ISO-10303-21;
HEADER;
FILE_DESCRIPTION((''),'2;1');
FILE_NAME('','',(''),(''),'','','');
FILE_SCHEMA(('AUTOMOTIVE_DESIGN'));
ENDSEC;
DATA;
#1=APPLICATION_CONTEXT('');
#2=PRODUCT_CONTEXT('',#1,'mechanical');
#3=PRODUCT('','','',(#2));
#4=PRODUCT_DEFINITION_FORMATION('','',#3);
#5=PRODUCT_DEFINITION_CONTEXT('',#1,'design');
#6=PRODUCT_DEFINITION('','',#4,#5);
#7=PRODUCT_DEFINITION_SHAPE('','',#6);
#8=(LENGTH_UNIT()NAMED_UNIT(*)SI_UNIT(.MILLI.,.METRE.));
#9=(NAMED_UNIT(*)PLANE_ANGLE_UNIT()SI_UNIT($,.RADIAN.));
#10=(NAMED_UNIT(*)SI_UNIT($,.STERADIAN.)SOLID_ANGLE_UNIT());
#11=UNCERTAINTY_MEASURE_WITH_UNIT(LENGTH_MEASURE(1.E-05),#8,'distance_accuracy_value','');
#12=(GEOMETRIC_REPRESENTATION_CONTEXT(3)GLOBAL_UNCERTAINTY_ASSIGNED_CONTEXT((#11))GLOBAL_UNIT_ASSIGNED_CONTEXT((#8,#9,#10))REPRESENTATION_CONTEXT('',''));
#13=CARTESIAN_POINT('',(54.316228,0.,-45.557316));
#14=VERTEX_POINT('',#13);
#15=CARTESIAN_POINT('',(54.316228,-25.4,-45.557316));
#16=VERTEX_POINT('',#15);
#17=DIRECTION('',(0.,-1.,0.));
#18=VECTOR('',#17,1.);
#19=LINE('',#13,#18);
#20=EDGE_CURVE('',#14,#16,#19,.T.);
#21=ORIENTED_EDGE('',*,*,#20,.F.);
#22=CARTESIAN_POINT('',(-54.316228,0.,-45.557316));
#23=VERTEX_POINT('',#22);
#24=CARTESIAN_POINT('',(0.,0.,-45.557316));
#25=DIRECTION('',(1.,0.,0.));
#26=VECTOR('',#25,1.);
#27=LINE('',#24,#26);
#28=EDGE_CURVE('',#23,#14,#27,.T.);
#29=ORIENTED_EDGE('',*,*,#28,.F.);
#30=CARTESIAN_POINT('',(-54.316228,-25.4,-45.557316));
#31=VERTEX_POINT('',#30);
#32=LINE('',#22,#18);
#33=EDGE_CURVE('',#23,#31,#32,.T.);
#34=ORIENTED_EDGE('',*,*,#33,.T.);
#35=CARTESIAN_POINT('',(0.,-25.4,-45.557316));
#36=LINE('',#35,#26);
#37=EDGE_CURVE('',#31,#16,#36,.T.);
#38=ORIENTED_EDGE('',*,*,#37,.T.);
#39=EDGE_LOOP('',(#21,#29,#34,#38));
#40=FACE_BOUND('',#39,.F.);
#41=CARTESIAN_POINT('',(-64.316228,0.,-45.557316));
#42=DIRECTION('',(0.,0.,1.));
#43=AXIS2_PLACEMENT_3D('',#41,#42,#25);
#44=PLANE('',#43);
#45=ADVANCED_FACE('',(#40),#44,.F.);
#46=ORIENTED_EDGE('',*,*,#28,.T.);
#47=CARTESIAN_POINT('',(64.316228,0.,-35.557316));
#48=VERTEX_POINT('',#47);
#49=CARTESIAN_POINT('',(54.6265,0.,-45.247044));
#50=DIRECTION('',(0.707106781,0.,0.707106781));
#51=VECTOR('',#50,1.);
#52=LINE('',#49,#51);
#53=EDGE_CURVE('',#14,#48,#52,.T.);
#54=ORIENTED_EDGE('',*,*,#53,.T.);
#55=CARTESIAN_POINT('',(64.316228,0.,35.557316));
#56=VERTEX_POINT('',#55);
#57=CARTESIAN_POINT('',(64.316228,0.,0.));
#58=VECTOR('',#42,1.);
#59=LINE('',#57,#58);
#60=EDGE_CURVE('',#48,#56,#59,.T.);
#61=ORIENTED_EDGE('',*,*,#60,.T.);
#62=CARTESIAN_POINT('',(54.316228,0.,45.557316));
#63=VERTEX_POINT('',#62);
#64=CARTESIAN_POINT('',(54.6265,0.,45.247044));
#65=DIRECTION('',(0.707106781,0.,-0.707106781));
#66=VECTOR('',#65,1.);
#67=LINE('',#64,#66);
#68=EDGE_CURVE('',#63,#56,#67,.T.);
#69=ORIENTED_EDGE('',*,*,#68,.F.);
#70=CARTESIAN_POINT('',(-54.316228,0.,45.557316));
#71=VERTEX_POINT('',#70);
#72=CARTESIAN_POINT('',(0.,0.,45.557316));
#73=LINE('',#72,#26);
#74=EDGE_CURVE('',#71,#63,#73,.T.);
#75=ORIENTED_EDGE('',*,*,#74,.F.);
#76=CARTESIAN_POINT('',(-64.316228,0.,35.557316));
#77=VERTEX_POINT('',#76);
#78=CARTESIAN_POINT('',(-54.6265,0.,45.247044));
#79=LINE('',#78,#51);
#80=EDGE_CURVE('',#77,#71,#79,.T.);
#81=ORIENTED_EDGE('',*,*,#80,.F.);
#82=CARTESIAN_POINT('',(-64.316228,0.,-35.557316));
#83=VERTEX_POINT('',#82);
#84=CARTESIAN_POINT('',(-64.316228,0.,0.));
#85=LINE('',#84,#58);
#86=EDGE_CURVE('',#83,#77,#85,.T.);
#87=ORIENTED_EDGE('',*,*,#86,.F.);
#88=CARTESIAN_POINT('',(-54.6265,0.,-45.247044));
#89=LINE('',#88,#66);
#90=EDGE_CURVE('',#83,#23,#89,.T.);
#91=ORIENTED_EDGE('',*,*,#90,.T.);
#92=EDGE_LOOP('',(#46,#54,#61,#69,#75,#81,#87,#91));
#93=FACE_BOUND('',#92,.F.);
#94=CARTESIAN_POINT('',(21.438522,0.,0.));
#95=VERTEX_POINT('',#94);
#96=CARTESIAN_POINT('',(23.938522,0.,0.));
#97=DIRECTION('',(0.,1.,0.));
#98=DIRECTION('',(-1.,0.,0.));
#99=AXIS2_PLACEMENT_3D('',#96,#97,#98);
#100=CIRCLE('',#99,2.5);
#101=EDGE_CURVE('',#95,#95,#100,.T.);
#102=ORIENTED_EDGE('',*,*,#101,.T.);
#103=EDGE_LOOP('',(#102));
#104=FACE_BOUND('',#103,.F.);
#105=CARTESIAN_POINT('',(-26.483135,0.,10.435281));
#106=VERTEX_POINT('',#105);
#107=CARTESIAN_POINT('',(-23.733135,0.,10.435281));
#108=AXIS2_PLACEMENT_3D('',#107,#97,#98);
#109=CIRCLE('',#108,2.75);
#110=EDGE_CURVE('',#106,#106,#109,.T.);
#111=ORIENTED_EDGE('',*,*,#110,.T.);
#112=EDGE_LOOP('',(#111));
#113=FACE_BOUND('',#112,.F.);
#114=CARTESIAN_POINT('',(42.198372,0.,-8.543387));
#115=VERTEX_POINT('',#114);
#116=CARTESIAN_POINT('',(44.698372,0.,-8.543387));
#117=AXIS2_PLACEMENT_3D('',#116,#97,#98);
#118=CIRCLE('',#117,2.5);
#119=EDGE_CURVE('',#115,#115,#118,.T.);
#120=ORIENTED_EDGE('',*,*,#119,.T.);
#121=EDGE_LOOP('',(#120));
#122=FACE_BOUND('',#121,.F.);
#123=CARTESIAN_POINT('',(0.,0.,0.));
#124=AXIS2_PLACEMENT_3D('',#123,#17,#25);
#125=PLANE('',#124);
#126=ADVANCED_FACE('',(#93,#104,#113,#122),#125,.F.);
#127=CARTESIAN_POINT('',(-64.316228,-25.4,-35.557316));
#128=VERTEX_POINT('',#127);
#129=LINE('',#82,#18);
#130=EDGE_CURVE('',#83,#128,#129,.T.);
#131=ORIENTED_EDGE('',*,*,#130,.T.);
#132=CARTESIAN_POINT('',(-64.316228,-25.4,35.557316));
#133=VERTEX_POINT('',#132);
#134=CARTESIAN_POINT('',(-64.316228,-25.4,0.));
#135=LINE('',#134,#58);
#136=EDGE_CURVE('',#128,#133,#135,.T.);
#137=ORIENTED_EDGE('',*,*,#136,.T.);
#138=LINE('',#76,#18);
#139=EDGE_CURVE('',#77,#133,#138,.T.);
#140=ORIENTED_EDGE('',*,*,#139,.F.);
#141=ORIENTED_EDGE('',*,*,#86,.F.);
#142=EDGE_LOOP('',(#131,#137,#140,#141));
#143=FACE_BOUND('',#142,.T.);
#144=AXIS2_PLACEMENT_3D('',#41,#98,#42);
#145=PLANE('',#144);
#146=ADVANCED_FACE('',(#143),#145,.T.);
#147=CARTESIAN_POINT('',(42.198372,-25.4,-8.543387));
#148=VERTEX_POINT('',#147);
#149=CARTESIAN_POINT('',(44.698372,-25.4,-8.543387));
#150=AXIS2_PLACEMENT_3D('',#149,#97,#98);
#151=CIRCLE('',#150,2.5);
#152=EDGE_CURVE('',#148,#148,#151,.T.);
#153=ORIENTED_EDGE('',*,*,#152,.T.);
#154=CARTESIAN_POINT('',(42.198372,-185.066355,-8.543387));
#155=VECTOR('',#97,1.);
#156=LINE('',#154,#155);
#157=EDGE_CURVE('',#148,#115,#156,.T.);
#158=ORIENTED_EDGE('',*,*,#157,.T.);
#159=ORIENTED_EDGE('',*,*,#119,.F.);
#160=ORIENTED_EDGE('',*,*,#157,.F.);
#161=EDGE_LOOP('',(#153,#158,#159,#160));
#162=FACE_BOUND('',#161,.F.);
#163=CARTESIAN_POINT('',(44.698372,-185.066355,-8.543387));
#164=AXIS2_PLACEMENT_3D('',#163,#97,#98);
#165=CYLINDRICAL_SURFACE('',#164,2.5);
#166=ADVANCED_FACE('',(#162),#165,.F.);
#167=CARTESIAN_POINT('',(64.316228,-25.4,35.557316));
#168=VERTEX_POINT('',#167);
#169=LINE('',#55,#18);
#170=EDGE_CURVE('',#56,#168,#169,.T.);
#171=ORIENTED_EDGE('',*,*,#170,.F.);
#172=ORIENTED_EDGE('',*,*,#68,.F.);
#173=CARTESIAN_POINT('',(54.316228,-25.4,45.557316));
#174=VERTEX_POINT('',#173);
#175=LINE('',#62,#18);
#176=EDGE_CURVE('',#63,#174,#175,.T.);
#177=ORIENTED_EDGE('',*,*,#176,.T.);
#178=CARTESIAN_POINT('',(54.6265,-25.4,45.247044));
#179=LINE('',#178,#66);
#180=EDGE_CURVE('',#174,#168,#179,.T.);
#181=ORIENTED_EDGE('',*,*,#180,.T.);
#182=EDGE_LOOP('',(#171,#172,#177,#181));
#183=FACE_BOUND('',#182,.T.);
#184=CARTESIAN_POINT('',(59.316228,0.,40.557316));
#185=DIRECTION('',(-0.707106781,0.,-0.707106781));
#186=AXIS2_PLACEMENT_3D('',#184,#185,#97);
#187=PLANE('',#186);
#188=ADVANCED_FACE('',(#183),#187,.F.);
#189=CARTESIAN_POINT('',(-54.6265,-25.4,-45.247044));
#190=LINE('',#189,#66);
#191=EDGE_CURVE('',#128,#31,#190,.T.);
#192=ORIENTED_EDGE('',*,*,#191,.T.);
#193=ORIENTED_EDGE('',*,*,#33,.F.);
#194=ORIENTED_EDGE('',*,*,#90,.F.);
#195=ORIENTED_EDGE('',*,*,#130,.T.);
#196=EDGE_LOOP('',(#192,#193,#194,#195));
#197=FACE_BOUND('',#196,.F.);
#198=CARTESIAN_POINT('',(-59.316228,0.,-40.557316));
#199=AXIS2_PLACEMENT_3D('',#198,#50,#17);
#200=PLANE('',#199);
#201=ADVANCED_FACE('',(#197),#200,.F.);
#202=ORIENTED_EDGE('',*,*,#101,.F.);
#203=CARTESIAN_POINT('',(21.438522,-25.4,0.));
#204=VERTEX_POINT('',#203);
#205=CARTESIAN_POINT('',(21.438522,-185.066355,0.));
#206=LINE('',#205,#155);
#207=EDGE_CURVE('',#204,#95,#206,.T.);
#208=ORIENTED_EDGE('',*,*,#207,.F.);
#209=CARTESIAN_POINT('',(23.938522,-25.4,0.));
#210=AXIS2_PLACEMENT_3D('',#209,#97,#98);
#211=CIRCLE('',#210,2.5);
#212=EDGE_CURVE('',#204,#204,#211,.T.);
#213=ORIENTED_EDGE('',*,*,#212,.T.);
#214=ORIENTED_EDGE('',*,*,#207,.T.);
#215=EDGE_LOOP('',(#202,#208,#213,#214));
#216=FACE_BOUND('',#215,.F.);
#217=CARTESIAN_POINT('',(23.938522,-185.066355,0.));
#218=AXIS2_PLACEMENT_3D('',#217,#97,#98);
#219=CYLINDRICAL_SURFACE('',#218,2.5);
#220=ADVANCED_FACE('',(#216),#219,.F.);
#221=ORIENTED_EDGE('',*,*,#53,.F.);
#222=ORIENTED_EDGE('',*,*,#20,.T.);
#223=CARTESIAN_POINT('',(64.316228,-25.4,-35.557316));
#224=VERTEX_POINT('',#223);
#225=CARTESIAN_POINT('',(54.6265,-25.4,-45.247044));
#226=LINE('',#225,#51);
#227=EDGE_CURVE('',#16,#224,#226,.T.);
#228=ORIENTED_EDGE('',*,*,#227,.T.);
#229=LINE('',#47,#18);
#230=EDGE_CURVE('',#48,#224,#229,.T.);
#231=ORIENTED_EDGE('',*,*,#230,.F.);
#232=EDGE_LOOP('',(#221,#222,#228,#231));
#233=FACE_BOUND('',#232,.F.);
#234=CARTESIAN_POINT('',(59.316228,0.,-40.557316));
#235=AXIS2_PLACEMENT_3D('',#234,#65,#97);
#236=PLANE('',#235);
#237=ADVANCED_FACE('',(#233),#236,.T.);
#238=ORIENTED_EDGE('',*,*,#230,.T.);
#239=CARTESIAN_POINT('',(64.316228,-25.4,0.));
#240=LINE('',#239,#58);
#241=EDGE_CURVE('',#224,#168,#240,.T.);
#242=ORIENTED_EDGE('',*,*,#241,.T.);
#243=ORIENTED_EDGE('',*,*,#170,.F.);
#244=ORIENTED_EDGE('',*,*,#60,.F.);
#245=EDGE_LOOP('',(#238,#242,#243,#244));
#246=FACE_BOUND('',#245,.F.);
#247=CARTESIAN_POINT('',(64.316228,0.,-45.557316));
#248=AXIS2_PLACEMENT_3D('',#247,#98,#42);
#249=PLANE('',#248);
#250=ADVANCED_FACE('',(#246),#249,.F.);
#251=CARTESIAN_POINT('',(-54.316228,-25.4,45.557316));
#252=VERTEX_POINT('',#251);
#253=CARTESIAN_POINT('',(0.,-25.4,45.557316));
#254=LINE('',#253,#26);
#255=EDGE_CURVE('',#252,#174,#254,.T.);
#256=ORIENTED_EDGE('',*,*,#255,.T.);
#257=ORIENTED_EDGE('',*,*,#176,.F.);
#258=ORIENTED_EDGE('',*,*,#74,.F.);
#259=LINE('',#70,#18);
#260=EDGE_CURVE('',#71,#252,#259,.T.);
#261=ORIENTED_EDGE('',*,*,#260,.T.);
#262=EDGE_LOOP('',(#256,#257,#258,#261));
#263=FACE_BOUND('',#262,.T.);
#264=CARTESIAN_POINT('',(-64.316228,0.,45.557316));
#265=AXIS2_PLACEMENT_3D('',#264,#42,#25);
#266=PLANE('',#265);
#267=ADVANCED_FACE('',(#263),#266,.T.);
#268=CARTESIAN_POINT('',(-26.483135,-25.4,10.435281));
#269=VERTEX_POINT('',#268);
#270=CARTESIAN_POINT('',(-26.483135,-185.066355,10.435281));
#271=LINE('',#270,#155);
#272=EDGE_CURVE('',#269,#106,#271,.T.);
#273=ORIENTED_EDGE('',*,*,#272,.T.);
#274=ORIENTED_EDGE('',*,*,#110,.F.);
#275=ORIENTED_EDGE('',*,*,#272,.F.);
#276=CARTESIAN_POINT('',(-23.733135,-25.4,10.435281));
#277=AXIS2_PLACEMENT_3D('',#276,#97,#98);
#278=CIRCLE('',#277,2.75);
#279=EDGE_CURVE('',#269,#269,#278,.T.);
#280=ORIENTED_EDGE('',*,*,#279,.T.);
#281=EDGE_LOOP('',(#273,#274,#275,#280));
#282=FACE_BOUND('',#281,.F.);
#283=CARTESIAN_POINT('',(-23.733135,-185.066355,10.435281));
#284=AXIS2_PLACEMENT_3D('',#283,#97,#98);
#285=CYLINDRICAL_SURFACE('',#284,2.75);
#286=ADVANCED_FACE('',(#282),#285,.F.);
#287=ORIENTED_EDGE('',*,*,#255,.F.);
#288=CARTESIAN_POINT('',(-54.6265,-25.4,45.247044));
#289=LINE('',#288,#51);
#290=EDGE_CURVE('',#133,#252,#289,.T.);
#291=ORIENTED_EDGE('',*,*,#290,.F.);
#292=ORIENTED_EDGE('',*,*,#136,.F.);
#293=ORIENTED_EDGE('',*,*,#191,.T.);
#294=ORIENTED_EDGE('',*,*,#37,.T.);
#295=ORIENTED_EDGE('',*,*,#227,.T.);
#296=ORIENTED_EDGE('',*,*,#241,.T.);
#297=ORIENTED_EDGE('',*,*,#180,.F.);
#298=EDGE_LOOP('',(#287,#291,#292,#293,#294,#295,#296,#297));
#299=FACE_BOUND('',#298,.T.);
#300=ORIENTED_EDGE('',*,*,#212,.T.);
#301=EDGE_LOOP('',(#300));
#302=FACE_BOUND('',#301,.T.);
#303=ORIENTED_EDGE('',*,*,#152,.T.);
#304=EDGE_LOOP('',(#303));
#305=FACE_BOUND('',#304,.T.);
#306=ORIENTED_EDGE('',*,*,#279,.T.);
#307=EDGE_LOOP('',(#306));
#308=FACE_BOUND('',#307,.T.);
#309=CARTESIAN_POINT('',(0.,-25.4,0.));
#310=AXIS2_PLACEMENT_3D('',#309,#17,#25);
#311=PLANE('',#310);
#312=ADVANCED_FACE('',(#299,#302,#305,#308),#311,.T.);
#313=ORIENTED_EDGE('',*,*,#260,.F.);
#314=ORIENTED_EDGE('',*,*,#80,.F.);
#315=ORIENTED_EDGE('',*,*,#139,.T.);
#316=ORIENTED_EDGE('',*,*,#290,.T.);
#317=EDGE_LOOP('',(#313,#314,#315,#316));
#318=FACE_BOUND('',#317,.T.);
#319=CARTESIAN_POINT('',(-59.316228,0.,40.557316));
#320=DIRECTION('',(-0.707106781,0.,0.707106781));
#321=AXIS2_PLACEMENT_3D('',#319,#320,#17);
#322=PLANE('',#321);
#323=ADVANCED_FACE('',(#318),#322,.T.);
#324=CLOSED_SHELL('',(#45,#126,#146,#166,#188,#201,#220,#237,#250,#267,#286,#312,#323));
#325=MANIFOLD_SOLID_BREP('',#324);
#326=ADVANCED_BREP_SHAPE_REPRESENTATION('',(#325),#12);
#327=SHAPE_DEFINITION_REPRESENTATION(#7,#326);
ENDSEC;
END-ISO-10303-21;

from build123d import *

# Parameters (mm, degrees)
F0_W     = 128.6324560642
F0_H     = 91.1146327853
F1_DEPTH = 25.4
F6_D     = 5
F3_SIZE  = 10
F5_D     = 5.5


with BuildPart() as f1:
    # F0 (on Front) → F1 (new body)
    with BuildSketch(Plane.XZ):
        Rectangle(F0_W, F0_H)
    extrude(amount=F1_DEPTH)

    # F6 (through all)
    with Locations(Plane.XZ.offset(25.4)):
        with Locations((23.9385217428, 0), (44.6983724833, -8.5433870554)):
            Hole(F6_D / 2)

    # F3
    f3_edges = [f1.edges().sort_by_distance(p)[0] for p in [
        (64.316228, -12.7, 45.557316),
        (64.316228, -12.7, -45.557316),
        (-64.316228, -12.7, -45.557316),
        (-64.316228, -12.7, 45.557316),
    ]]
    chamfer(f3_edges, length=F3_SIZE)

    # F5 (through all)
    with Locations(Plane.XZ.offset(25.4)):
        with Locations((-23.7331353128, 10.4352813214)):
            Hole(F5_D / 2)


solid = f1.part
